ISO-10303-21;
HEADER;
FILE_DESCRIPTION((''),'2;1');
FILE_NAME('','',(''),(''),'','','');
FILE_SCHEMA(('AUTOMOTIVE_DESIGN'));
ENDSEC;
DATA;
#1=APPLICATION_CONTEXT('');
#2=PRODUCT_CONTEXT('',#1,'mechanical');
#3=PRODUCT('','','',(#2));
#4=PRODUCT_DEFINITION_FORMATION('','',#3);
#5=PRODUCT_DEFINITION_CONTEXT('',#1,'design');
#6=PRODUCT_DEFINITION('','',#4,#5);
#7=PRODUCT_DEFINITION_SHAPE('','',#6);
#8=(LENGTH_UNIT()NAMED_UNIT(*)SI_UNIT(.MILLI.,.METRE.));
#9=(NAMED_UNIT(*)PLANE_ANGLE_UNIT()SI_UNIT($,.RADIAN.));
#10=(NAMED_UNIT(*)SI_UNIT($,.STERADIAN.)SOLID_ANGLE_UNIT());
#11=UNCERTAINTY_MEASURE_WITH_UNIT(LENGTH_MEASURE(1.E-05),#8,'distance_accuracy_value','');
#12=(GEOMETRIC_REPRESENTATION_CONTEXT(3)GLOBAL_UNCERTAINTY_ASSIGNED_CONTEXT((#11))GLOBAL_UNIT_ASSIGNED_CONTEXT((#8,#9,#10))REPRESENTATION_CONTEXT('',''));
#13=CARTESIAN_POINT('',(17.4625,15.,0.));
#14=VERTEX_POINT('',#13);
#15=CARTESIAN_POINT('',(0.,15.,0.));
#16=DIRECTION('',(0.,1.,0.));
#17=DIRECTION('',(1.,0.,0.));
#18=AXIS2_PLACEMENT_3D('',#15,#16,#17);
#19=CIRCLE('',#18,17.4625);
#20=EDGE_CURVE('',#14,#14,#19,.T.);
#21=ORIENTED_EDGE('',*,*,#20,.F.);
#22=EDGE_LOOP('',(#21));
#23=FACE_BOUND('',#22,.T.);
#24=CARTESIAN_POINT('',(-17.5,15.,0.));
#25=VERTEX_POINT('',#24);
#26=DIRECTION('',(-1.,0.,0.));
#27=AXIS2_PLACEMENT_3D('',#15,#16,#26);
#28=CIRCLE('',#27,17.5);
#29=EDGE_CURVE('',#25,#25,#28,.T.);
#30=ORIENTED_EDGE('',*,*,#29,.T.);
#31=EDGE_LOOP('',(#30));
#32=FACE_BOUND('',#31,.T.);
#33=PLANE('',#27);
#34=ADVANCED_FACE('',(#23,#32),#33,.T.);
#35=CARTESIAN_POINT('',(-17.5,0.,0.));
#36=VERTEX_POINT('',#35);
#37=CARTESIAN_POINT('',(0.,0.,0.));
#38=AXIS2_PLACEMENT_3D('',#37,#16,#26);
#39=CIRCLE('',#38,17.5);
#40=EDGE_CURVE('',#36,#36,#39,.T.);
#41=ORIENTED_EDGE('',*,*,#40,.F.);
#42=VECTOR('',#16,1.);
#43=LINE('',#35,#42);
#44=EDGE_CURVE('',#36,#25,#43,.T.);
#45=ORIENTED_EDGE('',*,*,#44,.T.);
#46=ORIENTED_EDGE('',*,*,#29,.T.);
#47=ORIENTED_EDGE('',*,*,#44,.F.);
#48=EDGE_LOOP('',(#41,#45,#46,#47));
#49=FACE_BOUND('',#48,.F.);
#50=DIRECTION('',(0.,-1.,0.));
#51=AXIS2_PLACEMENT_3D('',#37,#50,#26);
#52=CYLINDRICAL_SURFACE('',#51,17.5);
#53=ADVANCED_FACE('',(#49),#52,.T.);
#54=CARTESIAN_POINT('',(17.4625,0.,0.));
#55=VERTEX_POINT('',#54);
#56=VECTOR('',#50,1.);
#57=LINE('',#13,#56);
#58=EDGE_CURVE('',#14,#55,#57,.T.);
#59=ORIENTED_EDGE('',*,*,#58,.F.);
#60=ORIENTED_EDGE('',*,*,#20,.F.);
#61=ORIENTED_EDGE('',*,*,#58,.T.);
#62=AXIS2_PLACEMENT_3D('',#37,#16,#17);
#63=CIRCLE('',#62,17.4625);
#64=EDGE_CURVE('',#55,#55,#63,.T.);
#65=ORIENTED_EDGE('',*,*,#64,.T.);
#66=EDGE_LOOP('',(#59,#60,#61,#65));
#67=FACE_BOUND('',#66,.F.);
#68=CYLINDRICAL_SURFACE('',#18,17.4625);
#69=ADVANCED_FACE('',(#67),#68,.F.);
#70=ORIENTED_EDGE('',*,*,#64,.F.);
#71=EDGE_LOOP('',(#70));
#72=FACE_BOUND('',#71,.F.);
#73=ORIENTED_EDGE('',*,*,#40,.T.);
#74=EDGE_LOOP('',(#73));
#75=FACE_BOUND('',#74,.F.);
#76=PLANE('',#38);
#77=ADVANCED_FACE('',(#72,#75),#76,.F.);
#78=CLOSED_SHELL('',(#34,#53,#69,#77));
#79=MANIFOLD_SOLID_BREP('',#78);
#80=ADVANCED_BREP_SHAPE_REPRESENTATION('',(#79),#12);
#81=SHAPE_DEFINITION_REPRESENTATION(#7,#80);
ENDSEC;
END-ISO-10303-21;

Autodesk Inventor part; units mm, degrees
ref_plane "YZ Plane" through (0, 0, 0) normal (1, 0, 0) x (0, 1, 0)
ref_plane "XZ Plane" through (0, 0, 0) normal (0, 1, 0) x (-1, 0, 0)
ref_plane "XY Plane" through (0, 0, 0) normal (0, 0, 1) x (1, 0, 0)
sketch "Sketch1" plane through (0, 0, 0) normal (0, 1, 0) x (-1, 0, 0)
  circle A0 centre (0, 0) radius 17.5
  dimension "d0" = 35
extrude "Extrusion1" add sketch "Sketch1" along normal blind 15
sketch "Sketch2" plane through (0, 15, 0) normal (0, 1, 0) x (1, 0, 0)
  circle A0 centre (0, 0) radius 17.4625
extrude "Extrusion2" cut sketch "Sketch2" against normal blind 15
sketch "Sketch3" plane through (0, 15, 0) normal (0, 1, 0) x (1, 0, 0)
  point P0 (0, 0)
properties part number "botlhldr"
